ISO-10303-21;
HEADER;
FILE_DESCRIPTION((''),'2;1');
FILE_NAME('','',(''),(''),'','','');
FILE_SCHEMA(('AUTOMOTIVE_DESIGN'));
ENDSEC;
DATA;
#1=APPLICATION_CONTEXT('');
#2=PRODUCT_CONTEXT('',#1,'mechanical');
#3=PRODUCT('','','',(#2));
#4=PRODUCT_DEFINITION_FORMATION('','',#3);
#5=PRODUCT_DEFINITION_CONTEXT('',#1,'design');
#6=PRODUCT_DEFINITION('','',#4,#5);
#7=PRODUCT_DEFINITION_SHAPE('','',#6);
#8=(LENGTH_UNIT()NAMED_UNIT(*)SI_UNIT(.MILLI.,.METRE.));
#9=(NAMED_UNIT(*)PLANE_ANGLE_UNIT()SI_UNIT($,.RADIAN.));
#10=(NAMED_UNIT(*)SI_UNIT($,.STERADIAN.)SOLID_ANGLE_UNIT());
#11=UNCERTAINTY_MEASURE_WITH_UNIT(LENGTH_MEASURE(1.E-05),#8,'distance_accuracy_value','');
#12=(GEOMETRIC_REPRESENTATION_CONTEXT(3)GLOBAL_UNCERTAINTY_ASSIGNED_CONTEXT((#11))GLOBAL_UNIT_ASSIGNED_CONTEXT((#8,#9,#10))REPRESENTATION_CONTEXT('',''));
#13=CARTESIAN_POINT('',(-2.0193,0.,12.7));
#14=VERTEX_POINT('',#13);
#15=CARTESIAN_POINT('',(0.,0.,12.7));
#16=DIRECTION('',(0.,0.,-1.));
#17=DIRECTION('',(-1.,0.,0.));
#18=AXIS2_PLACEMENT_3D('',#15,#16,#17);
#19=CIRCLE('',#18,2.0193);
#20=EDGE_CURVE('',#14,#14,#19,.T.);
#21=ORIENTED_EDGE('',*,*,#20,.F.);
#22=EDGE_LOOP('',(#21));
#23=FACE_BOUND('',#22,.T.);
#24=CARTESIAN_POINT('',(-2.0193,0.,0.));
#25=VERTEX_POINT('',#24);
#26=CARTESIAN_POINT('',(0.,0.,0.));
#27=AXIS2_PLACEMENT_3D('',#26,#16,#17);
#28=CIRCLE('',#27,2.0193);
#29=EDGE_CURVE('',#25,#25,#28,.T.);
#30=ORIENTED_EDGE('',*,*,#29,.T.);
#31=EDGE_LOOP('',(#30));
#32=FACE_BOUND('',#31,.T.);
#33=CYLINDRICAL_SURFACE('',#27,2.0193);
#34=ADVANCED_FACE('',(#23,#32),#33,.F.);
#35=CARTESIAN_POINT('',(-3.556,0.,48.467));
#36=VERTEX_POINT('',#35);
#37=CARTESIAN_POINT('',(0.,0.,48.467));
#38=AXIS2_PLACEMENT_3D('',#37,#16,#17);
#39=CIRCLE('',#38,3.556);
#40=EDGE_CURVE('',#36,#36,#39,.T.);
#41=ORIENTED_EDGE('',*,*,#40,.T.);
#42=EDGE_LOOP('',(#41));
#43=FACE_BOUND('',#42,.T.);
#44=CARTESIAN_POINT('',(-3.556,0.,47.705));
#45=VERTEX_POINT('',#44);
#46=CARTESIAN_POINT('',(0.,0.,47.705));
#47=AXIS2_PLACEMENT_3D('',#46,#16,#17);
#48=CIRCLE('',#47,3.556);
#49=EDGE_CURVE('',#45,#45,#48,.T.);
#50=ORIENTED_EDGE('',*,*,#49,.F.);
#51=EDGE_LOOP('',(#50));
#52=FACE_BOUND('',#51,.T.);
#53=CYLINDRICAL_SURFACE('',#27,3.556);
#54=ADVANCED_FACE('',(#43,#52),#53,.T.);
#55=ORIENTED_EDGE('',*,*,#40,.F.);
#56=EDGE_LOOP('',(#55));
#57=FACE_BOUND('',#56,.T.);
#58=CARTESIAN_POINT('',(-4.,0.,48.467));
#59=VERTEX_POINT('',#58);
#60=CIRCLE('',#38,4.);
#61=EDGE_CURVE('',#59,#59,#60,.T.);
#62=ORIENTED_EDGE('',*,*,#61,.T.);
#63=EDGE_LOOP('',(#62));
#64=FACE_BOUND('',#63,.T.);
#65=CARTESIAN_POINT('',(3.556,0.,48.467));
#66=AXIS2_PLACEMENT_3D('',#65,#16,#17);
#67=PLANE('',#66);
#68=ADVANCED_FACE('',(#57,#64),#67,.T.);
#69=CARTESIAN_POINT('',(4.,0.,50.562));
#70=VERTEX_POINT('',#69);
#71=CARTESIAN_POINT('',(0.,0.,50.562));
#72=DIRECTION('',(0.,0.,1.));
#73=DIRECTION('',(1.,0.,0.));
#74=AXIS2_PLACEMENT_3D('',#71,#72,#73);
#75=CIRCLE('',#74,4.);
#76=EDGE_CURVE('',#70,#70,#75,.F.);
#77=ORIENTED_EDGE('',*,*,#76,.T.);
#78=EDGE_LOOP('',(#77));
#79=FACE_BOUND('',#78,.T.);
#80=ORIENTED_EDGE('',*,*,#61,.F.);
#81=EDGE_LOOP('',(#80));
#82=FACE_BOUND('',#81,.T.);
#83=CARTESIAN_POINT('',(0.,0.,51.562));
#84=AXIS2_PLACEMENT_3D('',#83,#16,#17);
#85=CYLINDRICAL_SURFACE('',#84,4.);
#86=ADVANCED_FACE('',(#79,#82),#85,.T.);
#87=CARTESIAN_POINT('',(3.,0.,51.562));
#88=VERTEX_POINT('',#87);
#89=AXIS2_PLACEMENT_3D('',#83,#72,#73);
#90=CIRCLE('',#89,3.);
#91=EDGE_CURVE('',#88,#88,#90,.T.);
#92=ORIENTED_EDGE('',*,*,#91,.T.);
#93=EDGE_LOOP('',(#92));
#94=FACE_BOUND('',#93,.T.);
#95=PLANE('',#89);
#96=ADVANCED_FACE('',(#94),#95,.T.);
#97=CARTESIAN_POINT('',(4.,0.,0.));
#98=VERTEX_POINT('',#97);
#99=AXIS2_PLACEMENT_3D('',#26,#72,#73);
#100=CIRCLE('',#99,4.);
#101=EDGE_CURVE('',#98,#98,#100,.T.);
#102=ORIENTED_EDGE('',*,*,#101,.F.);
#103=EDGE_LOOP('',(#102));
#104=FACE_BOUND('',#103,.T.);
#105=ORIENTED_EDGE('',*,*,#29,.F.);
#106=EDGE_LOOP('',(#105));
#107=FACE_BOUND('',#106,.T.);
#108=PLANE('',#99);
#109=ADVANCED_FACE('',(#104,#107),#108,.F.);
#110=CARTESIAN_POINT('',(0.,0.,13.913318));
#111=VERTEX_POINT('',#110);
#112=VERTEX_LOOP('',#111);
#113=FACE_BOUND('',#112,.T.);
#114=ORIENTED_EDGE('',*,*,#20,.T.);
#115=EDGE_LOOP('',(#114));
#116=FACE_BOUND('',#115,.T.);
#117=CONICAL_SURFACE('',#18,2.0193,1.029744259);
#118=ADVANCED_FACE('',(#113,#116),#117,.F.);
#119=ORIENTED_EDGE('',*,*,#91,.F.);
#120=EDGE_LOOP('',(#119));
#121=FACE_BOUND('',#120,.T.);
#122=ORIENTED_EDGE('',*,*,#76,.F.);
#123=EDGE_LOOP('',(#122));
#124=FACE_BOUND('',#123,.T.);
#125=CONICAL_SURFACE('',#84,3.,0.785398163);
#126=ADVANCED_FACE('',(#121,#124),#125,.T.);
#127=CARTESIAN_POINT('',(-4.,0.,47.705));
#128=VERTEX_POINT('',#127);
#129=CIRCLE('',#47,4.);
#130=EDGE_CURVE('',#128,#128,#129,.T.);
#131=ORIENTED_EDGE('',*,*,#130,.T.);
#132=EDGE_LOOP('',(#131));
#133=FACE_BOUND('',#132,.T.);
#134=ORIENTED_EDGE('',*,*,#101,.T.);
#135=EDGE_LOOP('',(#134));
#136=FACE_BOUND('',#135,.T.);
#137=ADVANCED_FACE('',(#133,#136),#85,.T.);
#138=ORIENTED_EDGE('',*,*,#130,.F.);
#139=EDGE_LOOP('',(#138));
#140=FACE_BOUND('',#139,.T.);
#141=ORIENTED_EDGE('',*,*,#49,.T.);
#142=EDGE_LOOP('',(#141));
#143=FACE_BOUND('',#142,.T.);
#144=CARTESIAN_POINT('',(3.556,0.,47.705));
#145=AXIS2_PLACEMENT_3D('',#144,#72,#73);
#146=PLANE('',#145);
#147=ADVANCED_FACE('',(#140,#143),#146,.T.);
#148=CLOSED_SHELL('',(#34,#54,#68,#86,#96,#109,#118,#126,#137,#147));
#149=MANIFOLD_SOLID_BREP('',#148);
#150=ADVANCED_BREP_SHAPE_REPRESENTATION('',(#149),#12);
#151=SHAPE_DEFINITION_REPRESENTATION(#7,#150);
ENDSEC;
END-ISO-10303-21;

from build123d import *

# Parameters (mm, degrees)
SKETCH1_R                  = 4
BOSS_EXTRUDE1_DEPTH        = 51.562
SKETCH2_W                  = 0.444
SKETCH2_H                  = 0.762
CHAMFER2_SIZE              = 1
F_10_32_TAPPED_HOLE2_D     = 4.0386
F_10_32_TAPPED_HOLE2_DEPTH = 12.7
F_10_32_TAPPED_HOLE2_TIP   = 1.213317848


with BuildPart() as part:
    # Sketch1 → Boss-Extrude1 (new body)
    with BuildSketch(Plane.XY):
        Circle(SKETCH1_R)
    extrude(amount=BOSS_EXTRUDE1_DEPTH)

    # Sketch2 → Cut-Revolve1 (revolve, cut)
    with BuildSketch(Plane(origin=(0, 0, 0), x_dir=(1, 0, 0), z_dir=(0, 1, 0)), mode=Mode.PRIVATE) as cut_revolve1_sk:
        with Locations((3.778, -48.086)):
            Rectangle(SKETCH2_W, SKETCH2_H)
    revolve(cut_revolve1_sk.sketch.rotate(Axis((0, 0, 0), (0, 0, 1)), 180), axis=Axis((0, 0, 0), (0, 0, 1)), mode=Mode.SUBTRACT)

    # Chamfer2
    chamfer2_edges = [part.edges().sort_by_distance(p)[0] for p in [
        (-4, 0, 51.562),
    ]]
    chamfer(chamfer2_edges, length=CHAMFER2_SIZE)

    # #10-32 Tapped Hole2
    with Locations(Plane(origin=(0, 0, 0), x_dir=(-1, 0, 0), z_dir=(0, 0, -1))):
        with Locations((0, 0)):
            Hole(F_10_32_TAPPED_HOLE2_D / 2, depth=F_10_32_TAPPED_HOLE2_DEPTH)
            with Locations((0, 0, -(F_10_32_TAPPED_HOLE2_DEPTH + F_10_32_TAPPED_HOLE2_TIP / 2))):  # 118° drill point
                Cone(0, F_10_32_TAPPED_HOLE2_D / 2, F_10_32_TAPPED_HOLE2_TIP, mode=Mode.SUBTRACT)


solid = part.part
